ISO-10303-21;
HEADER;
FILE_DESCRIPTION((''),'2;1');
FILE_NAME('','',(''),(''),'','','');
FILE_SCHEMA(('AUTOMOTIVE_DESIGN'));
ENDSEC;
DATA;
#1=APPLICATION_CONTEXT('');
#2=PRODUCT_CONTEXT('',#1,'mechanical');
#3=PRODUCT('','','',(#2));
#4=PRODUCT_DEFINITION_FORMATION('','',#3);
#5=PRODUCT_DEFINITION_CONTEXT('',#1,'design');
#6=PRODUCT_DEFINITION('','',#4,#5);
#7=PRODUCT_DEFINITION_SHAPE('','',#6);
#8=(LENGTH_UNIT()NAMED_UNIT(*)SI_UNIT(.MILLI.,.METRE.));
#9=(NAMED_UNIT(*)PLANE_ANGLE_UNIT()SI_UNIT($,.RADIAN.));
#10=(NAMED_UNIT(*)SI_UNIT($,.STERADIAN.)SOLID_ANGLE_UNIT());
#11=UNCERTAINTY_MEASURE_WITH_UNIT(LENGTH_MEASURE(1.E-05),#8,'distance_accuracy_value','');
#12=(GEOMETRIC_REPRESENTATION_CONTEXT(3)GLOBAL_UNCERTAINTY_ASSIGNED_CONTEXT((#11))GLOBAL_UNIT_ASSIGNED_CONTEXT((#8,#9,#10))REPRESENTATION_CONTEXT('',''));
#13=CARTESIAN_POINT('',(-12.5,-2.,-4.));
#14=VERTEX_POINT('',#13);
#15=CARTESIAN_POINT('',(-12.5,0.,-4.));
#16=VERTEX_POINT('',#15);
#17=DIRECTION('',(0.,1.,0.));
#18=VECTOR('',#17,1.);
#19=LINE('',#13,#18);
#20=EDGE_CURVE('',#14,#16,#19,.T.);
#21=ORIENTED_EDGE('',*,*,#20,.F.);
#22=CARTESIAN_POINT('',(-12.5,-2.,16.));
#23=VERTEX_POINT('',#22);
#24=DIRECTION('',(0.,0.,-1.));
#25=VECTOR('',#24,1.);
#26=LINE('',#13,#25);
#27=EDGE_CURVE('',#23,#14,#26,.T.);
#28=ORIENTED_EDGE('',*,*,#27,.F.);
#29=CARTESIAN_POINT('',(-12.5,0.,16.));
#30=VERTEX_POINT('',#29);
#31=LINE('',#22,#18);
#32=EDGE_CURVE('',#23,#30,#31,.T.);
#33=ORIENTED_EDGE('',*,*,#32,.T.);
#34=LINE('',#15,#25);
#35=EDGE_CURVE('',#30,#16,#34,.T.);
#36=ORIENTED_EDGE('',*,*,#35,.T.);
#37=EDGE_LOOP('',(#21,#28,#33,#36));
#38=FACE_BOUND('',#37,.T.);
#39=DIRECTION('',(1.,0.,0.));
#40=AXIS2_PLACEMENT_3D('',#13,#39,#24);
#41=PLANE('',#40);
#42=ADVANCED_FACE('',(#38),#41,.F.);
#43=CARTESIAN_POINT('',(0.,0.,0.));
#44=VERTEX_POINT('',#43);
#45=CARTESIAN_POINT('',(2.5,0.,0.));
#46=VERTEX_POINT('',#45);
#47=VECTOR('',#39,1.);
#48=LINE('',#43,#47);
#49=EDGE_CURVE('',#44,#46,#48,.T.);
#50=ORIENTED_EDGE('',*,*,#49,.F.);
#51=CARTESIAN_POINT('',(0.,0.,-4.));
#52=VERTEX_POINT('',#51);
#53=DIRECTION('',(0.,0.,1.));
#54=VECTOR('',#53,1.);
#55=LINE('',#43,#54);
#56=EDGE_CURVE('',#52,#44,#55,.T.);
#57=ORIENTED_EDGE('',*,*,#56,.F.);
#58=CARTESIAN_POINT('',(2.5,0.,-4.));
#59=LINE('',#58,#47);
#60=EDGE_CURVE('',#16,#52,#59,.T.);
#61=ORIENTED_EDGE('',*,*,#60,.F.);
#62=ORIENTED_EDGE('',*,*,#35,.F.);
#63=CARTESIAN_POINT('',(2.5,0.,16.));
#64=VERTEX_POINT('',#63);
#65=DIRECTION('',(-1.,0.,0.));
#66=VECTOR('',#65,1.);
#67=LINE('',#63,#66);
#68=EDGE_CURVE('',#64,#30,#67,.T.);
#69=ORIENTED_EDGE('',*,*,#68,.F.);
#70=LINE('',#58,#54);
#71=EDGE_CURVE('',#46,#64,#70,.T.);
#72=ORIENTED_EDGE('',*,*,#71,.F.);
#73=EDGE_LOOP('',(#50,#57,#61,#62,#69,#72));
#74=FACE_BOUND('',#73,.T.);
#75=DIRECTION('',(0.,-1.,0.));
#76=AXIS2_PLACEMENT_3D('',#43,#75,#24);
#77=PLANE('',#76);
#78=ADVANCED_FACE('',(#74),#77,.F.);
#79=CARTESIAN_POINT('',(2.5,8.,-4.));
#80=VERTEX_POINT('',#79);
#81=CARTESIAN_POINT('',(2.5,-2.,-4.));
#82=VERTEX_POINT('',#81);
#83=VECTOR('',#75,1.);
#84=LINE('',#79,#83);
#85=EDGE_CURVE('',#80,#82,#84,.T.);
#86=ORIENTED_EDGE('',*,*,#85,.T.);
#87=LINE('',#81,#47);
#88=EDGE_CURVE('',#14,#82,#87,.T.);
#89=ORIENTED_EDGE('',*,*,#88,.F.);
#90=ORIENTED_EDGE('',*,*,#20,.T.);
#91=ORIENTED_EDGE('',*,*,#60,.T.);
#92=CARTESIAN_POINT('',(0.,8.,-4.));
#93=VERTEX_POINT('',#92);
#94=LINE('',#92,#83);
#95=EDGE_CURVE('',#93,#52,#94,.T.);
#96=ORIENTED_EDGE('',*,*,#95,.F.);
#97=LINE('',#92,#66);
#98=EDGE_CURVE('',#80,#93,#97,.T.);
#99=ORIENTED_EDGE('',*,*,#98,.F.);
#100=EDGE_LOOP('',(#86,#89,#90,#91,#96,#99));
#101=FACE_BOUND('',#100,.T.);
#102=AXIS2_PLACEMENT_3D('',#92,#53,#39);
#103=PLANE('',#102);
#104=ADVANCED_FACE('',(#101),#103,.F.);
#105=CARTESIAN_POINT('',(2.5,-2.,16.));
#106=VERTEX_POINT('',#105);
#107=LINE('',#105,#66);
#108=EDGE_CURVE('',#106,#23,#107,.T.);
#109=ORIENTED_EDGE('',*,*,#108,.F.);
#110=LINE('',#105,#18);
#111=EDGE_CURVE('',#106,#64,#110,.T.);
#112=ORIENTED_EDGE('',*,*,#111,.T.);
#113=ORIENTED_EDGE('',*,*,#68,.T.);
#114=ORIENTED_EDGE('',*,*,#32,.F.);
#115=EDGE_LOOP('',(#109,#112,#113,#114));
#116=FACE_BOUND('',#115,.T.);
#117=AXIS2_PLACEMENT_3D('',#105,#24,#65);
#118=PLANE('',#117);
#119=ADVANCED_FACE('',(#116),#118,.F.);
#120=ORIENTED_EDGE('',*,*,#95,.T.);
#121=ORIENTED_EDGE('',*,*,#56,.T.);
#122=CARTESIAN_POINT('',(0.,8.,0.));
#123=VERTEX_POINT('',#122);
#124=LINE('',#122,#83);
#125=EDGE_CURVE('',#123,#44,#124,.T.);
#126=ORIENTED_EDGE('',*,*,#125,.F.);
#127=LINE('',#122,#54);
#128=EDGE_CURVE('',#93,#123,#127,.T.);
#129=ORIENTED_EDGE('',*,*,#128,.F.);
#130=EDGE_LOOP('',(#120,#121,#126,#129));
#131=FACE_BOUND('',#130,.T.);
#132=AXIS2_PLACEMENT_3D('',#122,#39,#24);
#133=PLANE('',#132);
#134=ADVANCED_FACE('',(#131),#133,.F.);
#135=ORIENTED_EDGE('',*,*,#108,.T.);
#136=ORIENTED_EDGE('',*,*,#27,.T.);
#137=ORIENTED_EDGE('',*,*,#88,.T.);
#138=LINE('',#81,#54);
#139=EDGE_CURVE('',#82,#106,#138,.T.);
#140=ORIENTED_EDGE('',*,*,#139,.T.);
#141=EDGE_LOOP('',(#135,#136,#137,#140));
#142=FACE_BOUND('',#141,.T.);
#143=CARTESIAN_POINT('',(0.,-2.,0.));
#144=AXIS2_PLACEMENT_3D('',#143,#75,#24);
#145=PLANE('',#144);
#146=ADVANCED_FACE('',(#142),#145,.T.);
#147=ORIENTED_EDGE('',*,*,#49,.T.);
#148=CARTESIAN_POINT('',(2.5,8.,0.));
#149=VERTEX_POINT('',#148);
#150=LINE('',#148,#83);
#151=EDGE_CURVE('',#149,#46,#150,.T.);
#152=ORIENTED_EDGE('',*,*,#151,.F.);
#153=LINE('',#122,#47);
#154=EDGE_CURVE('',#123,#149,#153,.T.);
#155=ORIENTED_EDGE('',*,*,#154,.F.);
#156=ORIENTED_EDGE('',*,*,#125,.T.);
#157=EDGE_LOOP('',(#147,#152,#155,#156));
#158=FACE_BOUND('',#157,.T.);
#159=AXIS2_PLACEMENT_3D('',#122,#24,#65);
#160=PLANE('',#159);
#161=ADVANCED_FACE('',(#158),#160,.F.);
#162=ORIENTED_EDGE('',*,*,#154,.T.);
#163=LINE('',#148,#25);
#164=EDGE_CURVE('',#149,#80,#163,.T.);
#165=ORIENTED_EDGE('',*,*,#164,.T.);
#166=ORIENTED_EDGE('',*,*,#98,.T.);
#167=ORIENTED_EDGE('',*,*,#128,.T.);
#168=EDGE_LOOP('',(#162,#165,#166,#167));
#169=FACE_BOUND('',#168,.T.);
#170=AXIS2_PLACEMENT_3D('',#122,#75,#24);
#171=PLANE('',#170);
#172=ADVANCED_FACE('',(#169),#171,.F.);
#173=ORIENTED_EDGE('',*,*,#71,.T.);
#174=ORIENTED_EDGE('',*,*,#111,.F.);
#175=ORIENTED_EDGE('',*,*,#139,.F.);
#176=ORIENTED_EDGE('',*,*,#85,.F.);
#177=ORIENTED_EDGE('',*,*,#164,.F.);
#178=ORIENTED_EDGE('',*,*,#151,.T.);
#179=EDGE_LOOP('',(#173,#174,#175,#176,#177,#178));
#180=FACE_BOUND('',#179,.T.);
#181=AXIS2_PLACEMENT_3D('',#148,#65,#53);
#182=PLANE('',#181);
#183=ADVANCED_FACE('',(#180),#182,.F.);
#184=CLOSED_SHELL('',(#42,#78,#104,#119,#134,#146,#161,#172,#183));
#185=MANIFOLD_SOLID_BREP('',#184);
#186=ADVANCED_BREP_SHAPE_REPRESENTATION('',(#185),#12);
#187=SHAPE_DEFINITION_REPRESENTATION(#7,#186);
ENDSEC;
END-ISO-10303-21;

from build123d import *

# Parameters (mm, degrees)
SKETCH_1_W      = 2.5
SKETCH_1_H      = 4
EXTRUDE_1_DEPTH = 8
SKETCH_2_W      = 15
SKETCH_2_H      = 20
EXTRUDE_2_DEPTH = 2


with BuildPart() as part:
    # 草图1 → 凸台-拉伸1 (new body)
    with BuildSketch(Plane(origin=(0, 0, 0), x_dir=(1, 0, 0), z_dir=(0, 1, 0))):
        with Locations((1.25, 2)):
            Rectangle(SKETCH_1_W, SKETCH_1_H)
    extrude(amount=EXTRUDE_1_DEPTH)

    # 草图2 → 凸台-拉伸2 (add)
    with BuildSketch(Plane.XZ):
        with Locations((-5, 6)):
            Rectangle(SKETCH_2_W, SKETCH_2_H)
    extrude(amount=EXTRUDE_2_DEPTH)


solid = part.part
